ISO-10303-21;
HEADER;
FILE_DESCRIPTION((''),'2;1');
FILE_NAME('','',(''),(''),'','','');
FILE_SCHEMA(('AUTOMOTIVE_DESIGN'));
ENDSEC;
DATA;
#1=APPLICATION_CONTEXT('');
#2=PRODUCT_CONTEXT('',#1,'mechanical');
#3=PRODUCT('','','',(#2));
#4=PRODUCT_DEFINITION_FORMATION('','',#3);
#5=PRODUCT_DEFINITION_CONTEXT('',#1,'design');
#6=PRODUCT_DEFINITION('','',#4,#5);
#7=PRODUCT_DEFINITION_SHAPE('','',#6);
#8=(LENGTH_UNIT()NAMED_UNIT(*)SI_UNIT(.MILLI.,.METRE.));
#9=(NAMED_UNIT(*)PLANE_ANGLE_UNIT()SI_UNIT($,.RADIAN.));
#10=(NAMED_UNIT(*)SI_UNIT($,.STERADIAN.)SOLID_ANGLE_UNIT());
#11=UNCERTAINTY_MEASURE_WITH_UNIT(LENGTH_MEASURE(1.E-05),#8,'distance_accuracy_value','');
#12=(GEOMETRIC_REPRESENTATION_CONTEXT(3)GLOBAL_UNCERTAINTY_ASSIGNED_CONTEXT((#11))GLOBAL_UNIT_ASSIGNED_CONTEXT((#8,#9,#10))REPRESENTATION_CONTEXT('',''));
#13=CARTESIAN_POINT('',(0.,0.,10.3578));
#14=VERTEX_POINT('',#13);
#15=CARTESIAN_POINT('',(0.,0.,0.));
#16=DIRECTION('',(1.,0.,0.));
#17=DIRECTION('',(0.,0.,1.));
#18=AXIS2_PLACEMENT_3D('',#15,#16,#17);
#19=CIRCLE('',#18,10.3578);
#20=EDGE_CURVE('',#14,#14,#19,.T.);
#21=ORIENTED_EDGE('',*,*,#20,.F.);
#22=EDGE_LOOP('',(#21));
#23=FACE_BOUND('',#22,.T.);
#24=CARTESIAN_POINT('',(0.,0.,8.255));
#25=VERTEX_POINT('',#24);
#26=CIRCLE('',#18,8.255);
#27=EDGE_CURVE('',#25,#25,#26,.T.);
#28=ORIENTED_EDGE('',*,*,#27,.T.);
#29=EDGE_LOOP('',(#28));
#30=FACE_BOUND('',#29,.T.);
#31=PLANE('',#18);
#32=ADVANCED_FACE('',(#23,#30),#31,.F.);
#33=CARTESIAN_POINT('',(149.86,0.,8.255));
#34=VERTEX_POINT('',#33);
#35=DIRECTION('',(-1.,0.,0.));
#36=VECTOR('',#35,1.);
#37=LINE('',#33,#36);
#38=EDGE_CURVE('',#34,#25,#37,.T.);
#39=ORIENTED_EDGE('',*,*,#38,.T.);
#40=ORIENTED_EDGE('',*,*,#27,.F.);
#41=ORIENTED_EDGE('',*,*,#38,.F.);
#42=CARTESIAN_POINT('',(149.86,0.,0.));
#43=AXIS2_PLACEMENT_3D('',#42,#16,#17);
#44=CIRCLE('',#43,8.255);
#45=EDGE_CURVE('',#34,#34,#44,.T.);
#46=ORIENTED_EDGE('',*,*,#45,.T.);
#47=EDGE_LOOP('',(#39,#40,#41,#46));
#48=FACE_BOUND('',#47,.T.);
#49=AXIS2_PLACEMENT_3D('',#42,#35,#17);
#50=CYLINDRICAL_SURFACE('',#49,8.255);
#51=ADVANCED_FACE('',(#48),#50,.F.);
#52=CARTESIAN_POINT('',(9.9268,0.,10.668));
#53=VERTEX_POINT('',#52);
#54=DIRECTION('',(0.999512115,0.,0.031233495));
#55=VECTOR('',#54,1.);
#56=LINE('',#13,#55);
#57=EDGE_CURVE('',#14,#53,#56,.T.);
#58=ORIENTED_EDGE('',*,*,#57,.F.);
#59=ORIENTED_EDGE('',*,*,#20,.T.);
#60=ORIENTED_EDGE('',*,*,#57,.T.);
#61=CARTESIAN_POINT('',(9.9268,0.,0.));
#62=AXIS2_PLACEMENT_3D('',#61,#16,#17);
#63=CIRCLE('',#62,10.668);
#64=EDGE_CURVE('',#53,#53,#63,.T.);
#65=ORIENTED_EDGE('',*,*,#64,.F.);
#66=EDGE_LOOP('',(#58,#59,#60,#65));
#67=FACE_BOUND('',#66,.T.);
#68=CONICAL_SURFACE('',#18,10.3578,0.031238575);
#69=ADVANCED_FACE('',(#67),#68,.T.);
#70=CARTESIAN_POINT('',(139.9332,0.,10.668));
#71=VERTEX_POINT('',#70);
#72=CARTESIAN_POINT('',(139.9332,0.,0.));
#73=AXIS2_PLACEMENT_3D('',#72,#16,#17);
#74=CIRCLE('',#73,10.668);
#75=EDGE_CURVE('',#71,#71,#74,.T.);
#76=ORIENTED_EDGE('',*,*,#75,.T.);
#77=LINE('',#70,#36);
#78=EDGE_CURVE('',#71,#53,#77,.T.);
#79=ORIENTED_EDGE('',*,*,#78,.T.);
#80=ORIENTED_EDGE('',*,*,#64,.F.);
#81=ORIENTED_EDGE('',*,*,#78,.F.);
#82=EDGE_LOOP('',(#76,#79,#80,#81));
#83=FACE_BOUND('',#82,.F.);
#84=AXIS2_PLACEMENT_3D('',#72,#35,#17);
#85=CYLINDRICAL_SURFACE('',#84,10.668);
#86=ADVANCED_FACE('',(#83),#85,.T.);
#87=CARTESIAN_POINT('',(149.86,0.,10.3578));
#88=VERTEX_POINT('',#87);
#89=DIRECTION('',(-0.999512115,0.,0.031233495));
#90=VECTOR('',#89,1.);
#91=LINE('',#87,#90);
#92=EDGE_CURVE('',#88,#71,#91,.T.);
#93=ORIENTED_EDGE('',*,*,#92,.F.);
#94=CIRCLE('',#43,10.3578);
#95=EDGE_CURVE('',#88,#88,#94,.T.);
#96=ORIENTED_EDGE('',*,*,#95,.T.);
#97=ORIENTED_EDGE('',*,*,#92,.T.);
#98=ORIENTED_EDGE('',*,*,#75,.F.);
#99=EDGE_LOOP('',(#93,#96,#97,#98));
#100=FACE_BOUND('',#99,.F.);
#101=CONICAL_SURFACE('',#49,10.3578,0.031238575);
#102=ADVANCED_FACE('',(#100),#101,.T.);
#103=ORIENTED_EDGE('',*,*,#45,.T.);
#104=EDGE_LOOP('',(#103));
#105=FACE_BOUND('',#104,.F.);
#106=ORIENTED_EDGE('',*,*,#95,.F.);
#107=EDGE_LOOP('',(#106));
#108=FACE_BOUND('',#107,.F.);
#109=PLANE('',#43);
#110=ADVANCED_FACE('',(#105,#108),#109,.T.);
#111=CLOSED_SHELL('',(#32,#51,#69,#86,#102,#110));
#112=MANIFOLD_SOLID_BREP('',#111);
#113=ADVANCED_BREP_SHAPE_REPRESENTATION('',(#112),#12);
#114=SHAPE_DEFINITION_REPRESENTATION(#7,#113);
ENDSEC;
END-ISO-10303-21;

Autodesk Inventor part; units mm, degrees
ref_plane "YZ Plane" through (0, 0, 0) normal (1, 0, 0) x (0, 1, 0)
ref_plane "XZ Plane" through (0, 0, 0) normal (0, 1, 0) x (-1, 0, 0)
ref_plane "XY Plane" through (0, 0, 0) normal (0, 0, 1) x (1, 0, 0)
sketch "Sketch1" plane through (0, 0, 0) normal (0, 1, 0) x (-1, 0, 0)
  line L0 (0, 0) -> (-149.86, 0)
  line L1 (-149.86, 0) -> (-149.86, 8.255) construction
  line L2 (-149.86, 8.255) -> (-149.86, 10.3578)
  line L3 (-149.86, 10.3578) -> (-139.9332, 10.668)
  line L4 (-139.9332, 10.668) -> (-9.9268, 10.668)
  line L5 (-74.93, 0) -> (-74.93, 10.668) construction
  line L6 (-149.86, 8.255) -> (0, 8.255)
  line L7 (0, 0) -> (0, 8.255) construction
  line L8 (0, 8.255) -> (0, 10.3578)
  line L9 (0, 10.3578) -> (-9.9268, 10.668)
  line L10 (-136.304, 10.7814) -> (-136.304, 0) construction
  line L11 (-13.556, 10.7814) -> (-13.556, 0) construction
  line L12 (-139.9332, 10.668) -> (-136.304, 10.7814) construction
  line L13 (-139.9332, 10.668) -> (-139.9332, 0) construction
  line L14 (-9.9268, 10.668) -> (-13.556, 10.7814) construction
  line L15 (-9.9268, 10.668) -> (-9.9268, 0) construction
  dimension "d0" = 21.336
  dimension "d1" = 1.79
  dimension "d2" = 16.51
  dimension "d3" = 149.86
  dimension "d4" = 13.556
  dimension "d5" = 21.5628
revolve "Revolution1" add sketch "Sketch1" angle 360 about axis through (0, 0, 0) along (1, 0, 0)
thread "Thread1" size "1/2" designation "1/2 - 14 NPT" standard "NPT" full length
thread "Thread2" size "1/2" designation "1/2 - 14 NPT" standard "NPT" full length
equation "\"d0\" = OD"
equation "\"d2\" = ID"
equation "\"d3\" = L"
equation "\"d4\" = L2"
equation "\"d5\" = D2"
equation "\"OD\" = 21.336"
equation "\"t\" = 2.413"
equation "\"L\" = PL"
equation "\"L4\" = 19.8501"
equation "\"ID\" = 16.51"
equation "\"PL\" = 149.86"
equation "\"D2\" = 21.56282"
equation "\"L2\" = 13.55598"
equation "\"Size_Designation\" = 1.2345"
equation "\"PLmin\" = 2 * L2"
properties material "Steel, Wrought"
